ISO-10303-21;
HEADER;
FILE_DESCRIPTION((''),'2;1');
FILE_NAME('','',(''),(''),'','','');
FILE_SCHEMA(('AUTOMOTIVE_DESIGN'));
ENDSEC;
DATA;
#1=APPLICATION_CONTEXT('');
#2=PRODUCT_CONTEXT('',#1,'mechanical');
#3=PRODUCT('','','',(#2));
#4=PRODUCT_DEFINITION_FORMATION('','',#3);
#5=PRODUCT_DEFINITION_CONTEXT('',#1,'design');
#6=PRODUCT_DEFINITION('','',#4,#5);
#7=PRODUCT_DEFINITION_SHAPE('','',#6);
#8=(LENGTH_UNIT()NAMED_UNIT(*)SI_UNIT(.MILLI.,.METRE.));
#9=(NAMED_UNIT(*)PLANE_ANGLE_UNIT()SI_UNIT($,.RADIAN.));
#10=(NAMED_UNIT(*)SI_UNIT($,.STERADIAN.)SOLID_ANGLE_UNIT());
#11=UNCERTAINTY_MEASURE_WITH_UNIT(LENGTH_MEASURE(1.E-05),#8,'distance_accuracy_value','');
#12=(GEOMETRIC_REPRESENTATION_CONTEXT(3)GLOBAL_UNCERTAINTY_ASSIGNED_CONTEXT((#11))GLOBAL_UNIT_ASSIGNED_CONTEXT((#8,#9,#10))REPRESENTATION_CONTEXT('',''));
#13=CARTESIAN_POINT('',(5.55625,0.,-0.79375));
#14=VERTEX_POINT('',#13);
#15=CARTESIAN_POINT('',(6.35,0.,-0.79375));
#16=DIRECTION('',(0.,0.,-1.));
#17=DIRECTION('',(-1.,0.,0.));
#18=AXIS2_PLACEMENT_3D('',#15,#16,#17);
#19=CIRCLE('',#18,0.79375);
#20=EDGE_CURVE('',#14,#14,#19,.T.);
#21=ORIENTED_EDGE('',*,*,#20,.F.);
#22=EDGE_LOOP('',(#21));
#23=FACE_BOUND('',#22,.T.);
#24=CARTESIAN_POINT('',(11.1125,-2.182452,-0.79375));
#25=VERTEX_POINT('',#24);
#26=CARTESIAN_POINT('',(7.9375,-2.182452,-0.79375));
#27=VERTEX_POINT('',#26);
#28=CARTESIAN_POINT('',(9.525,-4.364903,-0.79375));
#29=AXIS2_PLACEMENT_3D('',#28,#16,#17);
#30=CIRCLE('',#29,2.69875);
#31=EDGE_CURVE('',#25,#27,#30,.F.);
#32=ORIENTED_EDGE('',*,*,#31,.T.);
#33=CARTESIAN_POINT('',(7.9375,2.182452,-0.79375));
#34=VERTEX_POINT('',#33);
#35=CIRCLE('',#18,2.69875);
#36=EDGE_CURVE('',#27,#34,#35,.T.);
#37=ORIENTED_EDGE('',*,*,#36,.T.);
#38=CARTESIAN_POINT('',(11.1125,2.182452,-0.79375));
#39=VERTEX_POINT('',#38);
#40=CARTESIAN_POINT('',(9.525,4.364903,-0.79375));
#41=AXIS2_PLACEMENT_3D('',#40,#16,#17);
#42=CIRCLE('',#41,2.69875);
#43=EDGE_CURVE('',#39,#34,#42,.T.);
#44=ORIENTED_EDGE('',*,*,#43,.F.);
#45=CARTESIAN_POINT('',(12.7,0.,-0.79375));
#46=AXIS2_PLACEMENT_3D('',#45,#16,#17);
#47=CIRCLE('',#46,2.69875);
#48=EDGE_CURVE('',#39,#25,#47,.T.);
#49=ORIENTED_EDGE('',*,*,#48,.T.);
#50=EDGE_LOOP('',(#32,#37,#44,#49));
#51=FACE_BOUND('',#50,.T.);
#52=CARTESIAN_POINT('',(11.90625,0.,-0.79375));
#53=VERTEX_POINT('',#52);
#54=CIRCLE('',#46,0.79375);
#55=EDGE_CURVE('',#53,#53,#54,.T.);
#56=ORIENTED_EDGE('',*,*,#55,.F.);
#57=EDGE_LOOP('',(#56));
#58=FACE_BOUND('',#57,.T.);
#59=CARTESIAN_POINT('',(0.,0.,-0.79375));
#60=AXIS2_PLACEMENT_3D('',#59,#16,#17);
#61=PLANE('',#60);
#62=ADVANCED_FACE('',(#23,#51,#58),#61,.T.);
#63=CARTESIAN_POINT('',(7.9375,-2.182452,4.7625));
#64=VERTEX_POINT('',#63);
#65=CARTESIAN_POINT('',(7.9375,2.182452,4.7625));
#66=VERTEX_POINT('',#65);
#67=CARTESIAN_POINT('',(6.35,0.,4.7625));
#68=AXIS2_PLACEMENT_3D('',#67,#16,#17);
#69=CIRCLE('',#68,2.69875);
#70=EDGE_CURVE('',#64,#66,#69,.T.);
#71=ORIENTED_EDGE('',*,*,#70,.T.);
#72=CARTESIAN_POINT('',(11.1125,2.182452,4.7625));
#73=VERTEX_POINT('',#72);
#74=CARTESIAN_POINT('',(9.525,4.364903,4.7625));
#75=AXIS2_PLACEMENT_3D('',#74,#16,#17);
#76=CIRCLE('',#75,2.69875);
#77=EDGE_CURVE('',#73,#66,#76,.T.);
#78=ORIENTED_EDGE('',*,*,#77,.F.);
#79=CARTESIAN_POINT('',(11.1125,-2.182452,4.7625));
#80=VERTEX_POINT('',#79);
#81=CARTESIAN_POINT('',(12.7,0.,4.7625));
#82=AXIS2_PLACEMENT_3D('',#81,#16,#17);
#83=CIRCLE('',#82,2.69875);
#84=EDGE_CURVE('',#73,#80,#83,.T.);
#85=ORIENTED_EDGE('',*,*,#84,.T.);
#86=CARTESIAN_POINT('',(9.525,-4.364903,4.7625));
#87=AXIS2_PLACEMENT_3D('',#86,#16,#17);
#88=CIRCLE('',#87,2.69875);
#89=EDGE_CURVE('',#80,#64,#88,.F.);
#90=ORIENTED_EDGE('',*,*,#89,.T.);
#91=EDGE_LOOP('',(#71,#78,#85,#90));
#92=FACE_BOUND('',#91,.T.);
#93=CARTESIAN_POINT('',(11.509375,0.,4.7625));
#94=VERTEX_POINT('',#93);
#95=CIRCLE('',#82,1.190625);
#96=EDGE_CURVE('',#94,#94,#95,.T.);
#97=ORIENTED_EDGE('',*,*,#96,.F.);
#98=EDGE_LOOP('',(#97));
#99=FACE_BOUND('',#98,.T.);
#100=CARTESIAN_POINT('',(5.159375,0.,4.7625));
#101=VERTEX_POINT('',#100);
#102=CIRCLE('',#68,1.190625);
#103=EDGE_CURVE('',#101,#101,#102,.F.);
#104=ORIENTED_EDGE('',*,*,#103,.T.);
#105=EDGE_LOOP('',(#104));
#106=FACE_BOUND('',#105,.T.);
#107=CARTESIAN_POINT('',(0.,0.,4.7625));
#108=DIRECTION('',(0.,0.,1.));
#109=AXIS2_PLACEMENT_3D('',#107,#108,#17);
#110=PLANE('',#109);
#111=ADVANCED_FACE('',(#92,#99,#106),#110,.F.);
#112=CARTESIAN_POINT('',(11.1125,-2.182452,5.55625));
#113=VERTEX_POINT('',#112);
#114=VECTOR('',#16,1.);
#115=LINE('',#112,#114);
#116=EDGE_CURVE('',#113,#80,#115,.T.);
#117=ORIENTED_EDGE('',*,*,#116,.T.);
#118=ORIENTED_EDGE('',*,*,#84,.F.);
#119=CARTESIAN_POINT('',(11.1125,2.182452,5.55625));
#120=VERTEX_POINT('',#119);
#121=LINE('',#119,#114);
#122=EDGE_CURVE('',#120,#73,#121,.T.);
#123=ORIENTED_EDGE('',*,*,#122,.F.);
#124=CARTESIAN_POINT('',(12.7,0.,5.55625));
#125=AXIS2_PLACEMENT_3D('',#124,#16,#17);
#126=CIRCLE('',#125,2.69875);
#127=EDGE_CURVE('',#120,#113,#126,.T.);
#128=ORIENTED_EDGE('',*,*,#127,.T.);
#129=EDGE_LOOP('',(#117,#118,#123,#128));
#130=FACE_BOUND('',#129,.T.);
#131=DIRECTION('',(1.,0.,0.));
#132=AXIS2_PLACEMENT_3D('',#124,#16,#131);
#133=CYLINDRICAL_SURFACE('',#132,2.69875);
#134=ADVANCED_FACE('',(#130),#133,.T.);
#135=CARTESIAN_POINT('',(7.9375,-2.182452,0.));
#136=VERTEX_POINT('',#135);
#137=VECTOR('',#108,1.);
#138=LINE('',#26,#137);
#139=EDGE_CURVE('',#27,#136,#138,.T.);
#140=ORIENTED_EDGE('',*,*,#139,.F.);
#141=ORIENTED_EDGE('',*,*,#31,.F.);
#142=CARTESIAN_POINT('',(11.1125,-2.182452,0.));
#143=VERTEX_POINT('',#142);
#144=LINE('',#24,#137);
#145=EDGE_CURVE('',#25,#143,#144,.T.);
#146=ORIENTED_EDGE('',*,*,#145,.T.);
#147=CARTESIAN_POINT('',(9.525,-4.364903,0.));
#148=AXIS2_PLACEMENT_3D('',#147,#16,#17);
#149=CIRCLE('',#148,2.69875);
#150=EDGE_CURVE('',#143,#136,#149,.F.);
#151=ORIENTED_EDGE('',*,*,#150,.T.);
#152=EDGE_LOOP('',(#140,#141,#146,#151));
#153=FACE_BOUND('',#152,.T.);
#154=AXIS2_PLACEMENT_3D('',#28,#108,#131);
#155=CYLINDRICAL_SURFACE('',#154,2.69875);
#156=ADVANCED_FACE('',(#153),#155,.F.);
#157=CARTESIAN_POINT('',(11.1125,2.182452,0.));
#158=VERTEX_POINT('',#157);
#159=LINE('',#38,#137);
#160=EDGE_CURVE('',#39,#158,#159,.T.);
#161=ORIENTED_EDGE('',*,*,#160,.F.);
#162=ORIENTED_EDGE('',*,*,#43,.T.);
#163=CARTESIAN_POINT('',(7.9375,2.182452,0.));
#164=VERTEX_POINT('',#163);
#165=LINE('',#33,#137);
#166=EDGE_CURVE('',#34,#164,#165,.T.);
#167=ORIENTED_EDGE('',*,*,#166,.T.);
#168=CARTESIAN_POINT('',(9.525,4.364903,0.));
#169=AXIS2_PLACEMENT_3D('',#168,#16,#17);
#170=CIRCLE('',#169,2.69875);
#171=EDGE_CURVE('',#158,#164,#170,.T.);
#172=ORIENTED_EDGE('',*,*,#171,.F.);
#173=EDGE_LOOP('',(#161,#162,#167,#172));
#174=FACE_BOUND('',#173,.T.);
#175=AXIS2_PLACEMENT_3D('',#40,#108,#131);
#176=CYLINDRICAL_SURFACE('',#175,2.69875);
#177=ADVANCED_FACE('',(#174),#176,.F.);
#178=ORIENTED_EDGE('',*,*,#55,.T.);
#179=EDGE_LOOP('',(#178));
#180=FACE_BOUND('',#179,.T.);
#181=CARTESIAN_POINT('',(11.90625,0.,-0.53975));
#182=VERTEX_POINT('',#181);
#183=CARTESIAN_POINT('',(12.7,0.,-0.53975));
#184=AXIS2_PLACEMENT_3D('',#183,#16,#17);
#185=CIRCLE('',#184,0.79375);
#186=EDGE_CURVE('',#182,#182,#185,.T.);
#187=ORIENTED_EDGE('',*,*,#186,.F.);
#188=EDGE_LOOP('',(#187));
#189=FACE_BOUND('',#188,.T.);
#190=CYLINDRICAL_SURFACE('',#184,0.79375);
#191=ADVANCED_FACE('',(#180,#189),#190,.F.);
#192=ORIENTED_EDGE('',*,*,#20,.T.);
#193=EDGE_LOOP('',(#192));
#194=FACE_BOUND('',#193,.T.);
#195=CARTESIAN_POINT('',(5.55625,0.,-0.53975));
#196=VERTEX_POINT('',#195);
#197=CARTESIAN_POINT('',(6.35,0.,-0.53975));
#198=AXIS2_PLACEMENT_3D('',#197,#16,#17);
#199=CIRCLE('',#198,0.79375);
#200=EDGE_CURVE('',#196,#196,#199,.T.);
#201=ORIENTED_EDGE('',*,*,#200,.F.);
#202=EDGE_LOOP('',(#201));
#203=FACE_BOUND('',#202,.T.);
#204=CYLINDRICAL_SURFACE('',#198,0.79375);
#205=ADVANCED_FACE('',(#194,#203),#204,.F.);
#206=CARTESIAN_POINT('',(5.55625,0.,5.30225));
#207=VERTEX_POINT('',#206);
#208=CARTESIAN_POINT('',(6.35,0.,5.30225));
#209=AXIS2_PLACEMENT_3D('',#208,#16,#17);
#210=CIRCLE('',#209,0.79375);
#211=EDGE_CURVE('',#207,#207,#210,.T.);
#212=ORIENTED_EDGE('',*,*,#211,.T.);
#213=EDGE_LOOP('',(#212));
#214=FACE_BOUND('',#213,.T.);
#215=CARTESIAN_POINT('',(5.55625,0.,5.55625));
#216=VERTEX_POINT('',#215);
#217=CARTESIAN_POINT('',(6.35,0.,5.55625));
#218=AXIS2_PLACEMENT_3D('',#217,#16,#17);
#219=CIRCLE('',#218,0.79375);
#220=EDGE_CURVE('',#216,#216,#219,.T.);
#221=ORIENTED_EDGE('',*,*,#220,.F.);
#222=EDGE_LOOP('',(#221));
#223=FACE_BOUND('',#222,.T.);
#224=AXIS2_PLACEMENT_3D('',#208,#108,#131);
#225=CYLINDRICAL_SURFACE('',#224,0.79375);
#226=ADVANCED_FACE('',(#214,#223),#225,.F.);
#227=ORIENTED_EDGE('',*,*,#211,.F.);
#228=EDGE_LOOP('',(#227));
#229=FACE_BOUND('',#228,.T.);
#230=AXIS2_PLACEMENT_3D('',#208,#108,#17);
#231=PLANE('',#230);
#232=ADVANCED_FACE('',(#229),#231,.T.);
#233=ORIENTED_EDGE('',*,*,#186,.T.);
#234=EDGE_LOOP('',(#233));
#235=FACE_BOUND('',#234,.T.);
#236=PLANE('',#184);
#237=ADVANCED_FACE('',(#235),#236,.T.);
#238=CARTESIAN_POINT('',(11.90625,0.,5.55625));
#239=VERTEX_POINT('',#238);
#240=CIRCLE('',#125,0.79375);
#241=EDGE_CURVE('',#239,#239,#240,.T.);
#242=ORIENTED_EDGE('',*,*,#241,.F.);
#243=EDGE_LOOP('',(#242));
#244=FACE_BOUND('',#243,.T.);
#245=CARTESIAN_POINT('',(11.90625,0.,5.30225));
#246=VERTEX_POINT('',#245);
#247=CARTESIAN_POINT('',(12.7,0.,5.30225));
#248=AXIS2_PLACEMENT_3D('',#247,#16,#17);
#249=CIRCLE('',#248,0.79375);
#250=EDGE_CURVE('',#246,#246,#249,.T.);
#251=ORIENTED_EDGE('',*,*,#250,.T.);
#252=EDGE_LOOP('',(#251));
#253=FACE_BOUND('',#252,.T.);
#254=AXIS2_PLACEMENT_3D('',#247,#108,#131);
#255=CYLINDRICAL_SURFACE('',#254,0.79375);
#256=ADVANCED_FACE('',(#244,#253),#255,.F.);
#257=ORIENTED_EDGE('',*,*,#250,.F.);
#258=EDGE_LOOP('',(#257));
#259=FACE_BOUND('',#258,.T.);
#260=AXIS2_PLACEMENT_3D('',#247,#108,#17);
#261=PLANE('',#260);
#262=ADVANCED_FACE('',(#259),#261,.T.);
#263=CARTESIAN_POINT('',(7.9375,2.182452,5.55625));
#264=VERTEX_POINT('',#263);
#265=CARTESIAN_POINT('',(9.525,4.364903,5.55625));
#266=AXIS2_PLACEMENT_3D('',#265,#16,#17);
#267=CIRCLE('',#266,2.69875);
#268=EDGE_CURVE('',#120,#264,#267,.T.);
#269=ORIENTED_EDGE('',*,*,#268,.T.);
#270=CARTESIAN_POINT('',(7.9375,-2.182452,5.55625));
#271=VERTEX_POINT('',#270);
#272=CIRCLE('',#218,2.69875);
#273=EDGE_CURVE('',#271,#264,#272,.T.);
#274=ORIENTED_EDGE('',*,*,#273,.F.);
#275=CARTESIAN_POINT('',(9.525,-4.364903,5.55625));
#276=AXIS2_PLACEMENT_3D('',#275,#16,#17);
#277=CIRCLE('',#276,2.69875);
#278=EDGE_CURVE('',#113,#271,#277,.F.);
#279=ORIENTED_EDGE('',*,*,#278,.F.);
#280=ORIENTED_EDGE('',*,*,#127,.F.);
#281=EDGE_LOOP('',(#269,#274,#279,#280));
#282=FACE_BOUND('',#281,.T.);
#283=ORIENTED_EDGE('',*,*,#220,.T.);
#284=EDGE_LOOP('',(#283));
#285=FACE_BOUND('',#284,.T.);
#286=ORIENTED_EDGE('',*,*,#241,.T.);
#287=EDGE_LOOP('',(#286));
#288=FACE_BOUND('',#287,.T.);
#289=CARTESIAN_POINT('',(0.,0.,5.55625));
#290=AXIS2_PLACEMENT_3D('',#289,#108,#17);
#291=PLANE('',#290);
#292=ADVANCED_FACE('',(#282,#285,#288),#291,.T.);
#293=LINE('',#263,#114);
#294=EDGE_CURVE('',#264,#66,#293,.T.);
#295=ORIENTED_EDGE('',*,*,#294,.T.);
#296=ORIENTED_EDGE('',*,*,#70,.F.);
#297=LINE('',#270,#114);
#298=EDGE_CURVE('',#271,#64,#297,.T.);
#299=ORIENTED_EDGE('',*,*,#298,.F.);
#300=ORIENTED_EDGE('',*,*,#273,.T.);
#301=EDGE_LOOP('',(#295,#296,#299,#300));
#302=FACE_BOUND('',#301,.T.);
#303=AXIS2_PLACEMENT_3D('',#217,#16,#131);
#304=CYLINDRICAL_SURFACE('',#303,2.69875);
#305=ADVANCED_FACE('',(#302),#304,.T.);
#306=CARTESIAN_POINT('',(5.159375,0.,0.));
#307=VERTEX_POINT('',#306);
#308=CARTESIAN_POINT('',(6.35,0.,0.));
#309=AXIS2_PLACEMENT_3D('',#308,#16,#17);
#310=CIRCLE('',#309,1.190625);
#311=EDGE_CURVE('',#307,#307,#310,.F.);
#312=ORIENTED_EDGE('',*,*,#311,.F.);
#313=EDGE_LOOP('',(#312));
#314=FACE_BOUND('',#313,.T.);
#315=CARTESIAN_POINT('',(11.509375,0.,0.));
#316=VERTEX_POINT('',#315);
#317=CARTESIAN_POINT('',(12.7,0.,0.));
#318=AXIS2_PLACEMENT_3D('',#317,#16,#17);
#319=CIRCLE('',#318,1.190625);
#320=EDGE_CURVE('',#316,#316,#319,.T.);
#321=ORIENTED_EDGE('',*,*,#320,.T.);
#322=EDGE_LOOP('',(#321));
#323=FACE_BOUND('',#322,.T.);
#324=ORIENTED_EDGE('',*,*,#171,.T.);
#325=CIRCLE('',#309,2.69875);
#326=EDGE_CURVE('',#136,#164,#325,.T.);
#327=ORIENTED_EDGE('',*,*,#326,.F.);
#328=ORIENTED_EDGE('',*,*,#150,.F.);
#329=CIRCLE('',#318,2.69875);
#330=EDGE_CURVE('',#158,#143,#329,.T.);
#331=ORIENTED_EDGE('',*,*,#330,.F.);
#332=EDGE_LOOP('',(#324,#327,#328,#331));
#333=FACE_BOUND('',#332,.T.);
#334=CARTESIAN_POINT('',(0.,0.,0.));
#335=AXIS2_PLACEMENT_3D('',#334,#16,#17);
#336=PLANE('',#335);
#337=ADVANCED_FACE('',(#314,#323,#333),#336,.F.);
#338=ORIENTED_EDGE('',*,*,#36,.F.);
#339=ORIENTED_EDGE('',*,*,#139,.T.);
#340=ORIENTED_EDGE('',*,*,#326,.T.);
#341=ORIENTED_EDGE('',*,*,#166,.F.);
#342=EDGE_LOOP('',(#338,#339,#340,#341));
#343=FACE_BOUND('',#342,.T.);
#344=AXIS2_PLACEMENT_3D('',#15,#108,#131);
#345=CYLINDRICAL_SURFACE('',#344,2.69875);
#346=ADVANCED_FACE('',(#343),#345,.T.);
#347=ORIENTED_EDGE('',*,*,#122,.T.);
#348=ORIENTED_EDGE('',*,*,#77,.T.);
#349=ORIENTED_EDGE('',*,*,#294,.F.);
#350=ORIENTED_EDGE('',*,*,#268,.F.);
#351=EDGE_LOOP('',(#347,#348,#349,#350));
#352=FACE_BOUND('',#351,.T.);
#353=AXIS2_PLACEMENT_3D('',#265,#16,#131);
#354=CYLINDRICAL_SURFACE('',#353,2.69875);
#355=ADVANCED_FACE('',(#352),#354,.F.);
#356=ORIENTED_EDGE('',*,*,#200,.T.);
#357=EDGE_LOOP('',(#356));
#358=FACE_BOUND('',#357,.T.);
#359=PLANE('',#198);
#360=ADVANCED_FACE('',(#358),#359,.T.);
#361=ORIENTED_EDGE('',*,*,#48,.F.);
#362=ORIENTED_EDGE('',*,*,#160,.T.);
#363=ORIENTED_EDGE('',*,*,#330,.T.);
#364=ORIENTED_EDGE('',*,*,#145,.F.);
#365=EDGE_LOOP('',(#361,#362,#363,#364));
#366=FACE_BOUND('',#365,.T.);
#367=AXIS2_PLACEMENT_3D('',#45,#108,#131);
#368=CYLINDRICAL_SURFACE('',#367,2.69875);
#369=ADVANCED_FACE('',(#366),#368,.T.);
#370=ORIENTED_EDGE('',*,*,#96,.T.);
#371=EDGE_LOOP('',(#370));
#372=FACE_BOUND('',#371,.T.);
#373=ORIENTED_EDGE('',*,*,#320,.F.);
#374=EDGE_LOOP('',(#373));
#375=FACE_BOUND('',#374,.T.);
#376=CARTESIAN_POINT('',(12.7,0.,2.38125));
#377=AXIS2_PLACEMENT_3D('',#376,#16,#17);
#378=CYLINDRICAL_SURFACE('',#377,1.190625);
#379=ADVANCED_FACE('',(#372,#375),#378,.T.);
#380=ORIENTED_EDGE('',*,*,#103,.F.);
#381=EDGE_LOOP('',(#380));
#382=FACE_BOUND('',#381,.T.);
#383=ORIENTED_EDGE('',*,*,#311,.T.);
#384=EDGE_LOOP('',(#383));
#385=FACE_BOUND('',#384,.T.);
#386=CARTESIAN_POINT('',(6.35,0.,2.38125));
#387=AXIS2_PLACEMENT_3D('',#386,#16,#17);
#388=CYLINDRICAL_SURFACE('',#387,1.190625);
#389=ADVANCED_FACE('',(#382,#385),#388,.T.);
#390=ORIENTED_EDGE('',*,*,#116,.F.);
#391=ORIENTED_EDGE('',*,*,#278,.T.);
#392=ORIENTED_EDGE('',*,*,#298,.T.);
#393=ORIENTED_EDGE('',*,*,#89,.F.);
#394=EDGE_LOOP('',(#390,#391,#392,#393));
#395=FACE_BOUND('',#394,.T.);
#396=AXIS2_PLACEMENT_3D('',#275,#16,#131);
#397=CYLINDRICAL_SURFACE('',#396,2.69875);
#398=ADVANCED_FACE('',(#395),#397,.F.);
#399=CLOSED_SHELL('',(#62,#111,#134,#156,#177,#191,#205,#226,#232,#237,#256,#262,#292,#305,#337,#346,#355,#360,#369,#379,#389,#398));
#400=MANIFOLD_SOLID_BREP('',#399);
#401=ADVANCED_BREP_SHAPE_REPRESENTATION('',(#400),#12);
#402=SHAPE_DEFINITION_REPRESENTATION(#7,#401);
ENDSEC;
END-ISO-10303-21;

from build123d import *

# Parameters (mm, degrees)
SKETCH2_R           = 2.38125
SKETCH2_R_2         = 1.190625
BOSS_EXTRUDE1_DEPTH = 0.79375
SKETCH3_R           = 2.69875
SKETCH3_R_2         = 1.190625
BOSS_EXTRUDE2_DEPTH = 0.79375
BOSS_EXTRUDE3_START = 0.79375
SKETCH3_4_R         = 1.190625
BOSS_EXTRUDE3_DEPTH = 3.175
SKETCH4_R           = 0.79375
CUT_EXTRUDE1_DEPTH  = 0.254


with BuildPart() as part:
    # Sketch2 → Boss-Extrude1 (new body)
    # profile 1 of 3: a face of its own
    with BuildSketch(Plane.XY):
        Circle(SKETCH2_R)
        Circle(SKETCH2_R_2, mode=Mode.SUBTRACT)
    # profile 2 of 3: a face of its own
    with BuildSketch(Plane.XY):
        with BuildLine():
            ThreePointArc((1.5875, 1.774878957), (2.1737739, 0.972141242), (2.38125, 0))
            ThreePointArc((2.38125, 0), (2.1737739, -0.972141242), (1.5875, -1.774878957))
            ThreePointArc((1.5875, -1.774878957), (3.175, -1.168507914), (4.7625, -1.774878957))
            ThreePointArc((4.7625, -1.774878957), (3.96875, 0), (4.7625, 1.774878957))
            ThreePointArc((4.7625, 1.774878957), (3.175, 1.168507914), (1.5875, 1.774878957))
        make_face()
    # profile 3 of 3: a face of its own
    with BuildSketch(Plane.XY):
        with Locations((6.35, 0)):
            Circle(SKETCH2_R)
        with Locations((6.35, 0)):
            Circle(SKETCH2_R_2, mode=Mode.SUBTRACT)
    extrude(amount=BOSS_EXTRUDE1_DEPTH)


with BuildPart() as body_2:
    # Sketch3 → Boss-Extrude2 (new body)
    # profile 1 of 4: a face of its own
    with BuildSketch(Plane(origin=(0, 0, 0), x_dir=(-1, 0, 0), z_dir=(0, 0, -1))):
        with Locations((-12.7, 0)):
            Circle(SKETCH3_R)
        with Locations((-12.7, 0)):
            Circle(SKETCH3_R_2, mode=Mode.SUBTRACT)
    # profile 2 of 4: a face of its own
    with BuildSketch(Plane(origin=(0, 0, 0), x_dir=(-1, 0, 0), z_dir=(0, 0, -1))):
        with BuildLine():
            ThreePointArc((-3.65125, 0), (-3.737895814, 0.678353361), (-3.99226957, 1.313148424))
            ThreePointArc((-3.99226957, 1.313148424), (-4.399347966, 1.507376065), (-4.7625, 1.774878957))
            ThreePointArc((-4.7625, 1.774878957), (-8.73125, 0), (-4.7625, -1.774878957))
            ThreePointArc((-4.7625, -1.774878957), (-4.399347966, -1.507376065), (-3.99226957, -1.313148424))
            ThreePointArc((-3.99226957, -1.313148424), (-3.737895814, -0.678353361), (-3.65125, 0))
        make_face()
        with Locations(Location((-6.35, 0, 0), (0, 0, 180))):
            Circle(SKETCH3_R_2, mode=Mode.SUBTRACT)
    # profile 3 of 4: a face of its own
    with BuildSketch(Plane(origin=(0, 0, 0), x_dir=(-1, 0, 0), z_dir=(0, 0, -1))):
        with BuildLine():
            ThreePointArc((-3.99226957, 1.313148424), (-5.769279961, 2.63552951), (-7.9375, 2.182451675))
            ThreePointArc((-7.9375, 2.182451675), (-9.04875, 0), (-7.9375, -2.182451675))
            ThreePointArc((-7.9375, -2.182451675), (-5.769279961, -2.63552951), (-3.99226957, -1.313148424))
            ThreePointArc((-3.99226957, -1.313148424), (-4.399347966, -1.507376065), (-4.7625, -1.774878957))
            ThreePointArc((-4.7625, -1.774878957), (-8.73125, 0), (-4.7625, 1.774878957))
            ThreePointArc((-4.7625, 1.774878957), (-4.399347966, 1.507376065), (-3.99226957, 1.313148424))
        make_face()
    # profile 4 of 4: a face of its own
    with BuildSketch(Plane(origin=(0, 0, 0), x_dir=(-1, 0, 0), z_dir=(0, 0, -1))):
        with BuildLine():
            ThreePointArc((-7.9375, -2.182451675), (-9.04875, 0), (-7.9375, 2.182451675))
            ThreePointArc((-7.9375, 2.182451675), (-9.525, 1.666153349), (-11.1125, 2.182451675))
            ThreePointArc((-11.1125, 2.182451675), (-10.295055387, 1.224537859), (-10.00125, 0))
            ThreePointArc((-10.00125, 0), (-10.295055387, -1.224537859), (-11.1125, -2.182451675))
            ThreePointArc((-11.1125, -2.182451675), (-9.525, -1.666153349), (-7.9375, -2.182451675))
        make_face()
    extrude(amount=BOSS_EXTRUDE2_DEPTH)

    # Sketch3<4> → Boss-Extrude3 (add)
    with BuildSketch(Plane(origin=(0, 0, 0), x_dir=(-1, 0, 0), z_dir=(0, 0, -1)).offset(BOSS_EXTRUDE3_START)):
        with Locations(Location((-6.35, 0, 0), (0, 0, 180))):
            Circle(SKETCH3_4_R)
        with Locations((-12.7, 0)):
            Circle(SKETCH3_4_R)
    extrude(amount=-BOSS_EXTRUDE3_DEPTH)


with BuildPart() as body_3:
    # Mirror1: mirrored copy
    add(body_2.part.mirror(Plane(origin=(6.35, 0, 2.38125), x_dir=(1, 0, 0), z_dir=(0, 0, -1))))


with BuildPart() as body_4:
    # Mirror1 2: mirrored copy
    add(part.part.mirror(Plane(origin=(6.35, 0, 2.38125), x_dir=(1, 0, 0), z_dir=(0, 0, -1))))


with BuildPart() as body_2_1:
    add(body_2.part)

    # Combine1: union body 3
    add(body_3.part)

    # Sketch4 → Cut-Extrude1 (cut)
    with BuildSketch(Plane(origin=(0, 0, -0.79375), x_dir=(-1, 0, 0), z_dir=(0, 0, -1))):
        with Locations((-6.35, 0)):
            Circle(SKETCH4_R)
        with Locations((-12.7, 0)):
            Circle(SKETCH4_R)
    cut_extrude1 = extrude(amount=-CUT_EXTRUDE1_DEPTH, mode=Mode.SUBTRACT)

    # Mirror2: Cut-Extrude1 across plane
    add(cut_extrude1.mirror(Plane.XY.offset(2.38125)), mode=Mode.SUBTRACT)


solid = body_2_1.part
